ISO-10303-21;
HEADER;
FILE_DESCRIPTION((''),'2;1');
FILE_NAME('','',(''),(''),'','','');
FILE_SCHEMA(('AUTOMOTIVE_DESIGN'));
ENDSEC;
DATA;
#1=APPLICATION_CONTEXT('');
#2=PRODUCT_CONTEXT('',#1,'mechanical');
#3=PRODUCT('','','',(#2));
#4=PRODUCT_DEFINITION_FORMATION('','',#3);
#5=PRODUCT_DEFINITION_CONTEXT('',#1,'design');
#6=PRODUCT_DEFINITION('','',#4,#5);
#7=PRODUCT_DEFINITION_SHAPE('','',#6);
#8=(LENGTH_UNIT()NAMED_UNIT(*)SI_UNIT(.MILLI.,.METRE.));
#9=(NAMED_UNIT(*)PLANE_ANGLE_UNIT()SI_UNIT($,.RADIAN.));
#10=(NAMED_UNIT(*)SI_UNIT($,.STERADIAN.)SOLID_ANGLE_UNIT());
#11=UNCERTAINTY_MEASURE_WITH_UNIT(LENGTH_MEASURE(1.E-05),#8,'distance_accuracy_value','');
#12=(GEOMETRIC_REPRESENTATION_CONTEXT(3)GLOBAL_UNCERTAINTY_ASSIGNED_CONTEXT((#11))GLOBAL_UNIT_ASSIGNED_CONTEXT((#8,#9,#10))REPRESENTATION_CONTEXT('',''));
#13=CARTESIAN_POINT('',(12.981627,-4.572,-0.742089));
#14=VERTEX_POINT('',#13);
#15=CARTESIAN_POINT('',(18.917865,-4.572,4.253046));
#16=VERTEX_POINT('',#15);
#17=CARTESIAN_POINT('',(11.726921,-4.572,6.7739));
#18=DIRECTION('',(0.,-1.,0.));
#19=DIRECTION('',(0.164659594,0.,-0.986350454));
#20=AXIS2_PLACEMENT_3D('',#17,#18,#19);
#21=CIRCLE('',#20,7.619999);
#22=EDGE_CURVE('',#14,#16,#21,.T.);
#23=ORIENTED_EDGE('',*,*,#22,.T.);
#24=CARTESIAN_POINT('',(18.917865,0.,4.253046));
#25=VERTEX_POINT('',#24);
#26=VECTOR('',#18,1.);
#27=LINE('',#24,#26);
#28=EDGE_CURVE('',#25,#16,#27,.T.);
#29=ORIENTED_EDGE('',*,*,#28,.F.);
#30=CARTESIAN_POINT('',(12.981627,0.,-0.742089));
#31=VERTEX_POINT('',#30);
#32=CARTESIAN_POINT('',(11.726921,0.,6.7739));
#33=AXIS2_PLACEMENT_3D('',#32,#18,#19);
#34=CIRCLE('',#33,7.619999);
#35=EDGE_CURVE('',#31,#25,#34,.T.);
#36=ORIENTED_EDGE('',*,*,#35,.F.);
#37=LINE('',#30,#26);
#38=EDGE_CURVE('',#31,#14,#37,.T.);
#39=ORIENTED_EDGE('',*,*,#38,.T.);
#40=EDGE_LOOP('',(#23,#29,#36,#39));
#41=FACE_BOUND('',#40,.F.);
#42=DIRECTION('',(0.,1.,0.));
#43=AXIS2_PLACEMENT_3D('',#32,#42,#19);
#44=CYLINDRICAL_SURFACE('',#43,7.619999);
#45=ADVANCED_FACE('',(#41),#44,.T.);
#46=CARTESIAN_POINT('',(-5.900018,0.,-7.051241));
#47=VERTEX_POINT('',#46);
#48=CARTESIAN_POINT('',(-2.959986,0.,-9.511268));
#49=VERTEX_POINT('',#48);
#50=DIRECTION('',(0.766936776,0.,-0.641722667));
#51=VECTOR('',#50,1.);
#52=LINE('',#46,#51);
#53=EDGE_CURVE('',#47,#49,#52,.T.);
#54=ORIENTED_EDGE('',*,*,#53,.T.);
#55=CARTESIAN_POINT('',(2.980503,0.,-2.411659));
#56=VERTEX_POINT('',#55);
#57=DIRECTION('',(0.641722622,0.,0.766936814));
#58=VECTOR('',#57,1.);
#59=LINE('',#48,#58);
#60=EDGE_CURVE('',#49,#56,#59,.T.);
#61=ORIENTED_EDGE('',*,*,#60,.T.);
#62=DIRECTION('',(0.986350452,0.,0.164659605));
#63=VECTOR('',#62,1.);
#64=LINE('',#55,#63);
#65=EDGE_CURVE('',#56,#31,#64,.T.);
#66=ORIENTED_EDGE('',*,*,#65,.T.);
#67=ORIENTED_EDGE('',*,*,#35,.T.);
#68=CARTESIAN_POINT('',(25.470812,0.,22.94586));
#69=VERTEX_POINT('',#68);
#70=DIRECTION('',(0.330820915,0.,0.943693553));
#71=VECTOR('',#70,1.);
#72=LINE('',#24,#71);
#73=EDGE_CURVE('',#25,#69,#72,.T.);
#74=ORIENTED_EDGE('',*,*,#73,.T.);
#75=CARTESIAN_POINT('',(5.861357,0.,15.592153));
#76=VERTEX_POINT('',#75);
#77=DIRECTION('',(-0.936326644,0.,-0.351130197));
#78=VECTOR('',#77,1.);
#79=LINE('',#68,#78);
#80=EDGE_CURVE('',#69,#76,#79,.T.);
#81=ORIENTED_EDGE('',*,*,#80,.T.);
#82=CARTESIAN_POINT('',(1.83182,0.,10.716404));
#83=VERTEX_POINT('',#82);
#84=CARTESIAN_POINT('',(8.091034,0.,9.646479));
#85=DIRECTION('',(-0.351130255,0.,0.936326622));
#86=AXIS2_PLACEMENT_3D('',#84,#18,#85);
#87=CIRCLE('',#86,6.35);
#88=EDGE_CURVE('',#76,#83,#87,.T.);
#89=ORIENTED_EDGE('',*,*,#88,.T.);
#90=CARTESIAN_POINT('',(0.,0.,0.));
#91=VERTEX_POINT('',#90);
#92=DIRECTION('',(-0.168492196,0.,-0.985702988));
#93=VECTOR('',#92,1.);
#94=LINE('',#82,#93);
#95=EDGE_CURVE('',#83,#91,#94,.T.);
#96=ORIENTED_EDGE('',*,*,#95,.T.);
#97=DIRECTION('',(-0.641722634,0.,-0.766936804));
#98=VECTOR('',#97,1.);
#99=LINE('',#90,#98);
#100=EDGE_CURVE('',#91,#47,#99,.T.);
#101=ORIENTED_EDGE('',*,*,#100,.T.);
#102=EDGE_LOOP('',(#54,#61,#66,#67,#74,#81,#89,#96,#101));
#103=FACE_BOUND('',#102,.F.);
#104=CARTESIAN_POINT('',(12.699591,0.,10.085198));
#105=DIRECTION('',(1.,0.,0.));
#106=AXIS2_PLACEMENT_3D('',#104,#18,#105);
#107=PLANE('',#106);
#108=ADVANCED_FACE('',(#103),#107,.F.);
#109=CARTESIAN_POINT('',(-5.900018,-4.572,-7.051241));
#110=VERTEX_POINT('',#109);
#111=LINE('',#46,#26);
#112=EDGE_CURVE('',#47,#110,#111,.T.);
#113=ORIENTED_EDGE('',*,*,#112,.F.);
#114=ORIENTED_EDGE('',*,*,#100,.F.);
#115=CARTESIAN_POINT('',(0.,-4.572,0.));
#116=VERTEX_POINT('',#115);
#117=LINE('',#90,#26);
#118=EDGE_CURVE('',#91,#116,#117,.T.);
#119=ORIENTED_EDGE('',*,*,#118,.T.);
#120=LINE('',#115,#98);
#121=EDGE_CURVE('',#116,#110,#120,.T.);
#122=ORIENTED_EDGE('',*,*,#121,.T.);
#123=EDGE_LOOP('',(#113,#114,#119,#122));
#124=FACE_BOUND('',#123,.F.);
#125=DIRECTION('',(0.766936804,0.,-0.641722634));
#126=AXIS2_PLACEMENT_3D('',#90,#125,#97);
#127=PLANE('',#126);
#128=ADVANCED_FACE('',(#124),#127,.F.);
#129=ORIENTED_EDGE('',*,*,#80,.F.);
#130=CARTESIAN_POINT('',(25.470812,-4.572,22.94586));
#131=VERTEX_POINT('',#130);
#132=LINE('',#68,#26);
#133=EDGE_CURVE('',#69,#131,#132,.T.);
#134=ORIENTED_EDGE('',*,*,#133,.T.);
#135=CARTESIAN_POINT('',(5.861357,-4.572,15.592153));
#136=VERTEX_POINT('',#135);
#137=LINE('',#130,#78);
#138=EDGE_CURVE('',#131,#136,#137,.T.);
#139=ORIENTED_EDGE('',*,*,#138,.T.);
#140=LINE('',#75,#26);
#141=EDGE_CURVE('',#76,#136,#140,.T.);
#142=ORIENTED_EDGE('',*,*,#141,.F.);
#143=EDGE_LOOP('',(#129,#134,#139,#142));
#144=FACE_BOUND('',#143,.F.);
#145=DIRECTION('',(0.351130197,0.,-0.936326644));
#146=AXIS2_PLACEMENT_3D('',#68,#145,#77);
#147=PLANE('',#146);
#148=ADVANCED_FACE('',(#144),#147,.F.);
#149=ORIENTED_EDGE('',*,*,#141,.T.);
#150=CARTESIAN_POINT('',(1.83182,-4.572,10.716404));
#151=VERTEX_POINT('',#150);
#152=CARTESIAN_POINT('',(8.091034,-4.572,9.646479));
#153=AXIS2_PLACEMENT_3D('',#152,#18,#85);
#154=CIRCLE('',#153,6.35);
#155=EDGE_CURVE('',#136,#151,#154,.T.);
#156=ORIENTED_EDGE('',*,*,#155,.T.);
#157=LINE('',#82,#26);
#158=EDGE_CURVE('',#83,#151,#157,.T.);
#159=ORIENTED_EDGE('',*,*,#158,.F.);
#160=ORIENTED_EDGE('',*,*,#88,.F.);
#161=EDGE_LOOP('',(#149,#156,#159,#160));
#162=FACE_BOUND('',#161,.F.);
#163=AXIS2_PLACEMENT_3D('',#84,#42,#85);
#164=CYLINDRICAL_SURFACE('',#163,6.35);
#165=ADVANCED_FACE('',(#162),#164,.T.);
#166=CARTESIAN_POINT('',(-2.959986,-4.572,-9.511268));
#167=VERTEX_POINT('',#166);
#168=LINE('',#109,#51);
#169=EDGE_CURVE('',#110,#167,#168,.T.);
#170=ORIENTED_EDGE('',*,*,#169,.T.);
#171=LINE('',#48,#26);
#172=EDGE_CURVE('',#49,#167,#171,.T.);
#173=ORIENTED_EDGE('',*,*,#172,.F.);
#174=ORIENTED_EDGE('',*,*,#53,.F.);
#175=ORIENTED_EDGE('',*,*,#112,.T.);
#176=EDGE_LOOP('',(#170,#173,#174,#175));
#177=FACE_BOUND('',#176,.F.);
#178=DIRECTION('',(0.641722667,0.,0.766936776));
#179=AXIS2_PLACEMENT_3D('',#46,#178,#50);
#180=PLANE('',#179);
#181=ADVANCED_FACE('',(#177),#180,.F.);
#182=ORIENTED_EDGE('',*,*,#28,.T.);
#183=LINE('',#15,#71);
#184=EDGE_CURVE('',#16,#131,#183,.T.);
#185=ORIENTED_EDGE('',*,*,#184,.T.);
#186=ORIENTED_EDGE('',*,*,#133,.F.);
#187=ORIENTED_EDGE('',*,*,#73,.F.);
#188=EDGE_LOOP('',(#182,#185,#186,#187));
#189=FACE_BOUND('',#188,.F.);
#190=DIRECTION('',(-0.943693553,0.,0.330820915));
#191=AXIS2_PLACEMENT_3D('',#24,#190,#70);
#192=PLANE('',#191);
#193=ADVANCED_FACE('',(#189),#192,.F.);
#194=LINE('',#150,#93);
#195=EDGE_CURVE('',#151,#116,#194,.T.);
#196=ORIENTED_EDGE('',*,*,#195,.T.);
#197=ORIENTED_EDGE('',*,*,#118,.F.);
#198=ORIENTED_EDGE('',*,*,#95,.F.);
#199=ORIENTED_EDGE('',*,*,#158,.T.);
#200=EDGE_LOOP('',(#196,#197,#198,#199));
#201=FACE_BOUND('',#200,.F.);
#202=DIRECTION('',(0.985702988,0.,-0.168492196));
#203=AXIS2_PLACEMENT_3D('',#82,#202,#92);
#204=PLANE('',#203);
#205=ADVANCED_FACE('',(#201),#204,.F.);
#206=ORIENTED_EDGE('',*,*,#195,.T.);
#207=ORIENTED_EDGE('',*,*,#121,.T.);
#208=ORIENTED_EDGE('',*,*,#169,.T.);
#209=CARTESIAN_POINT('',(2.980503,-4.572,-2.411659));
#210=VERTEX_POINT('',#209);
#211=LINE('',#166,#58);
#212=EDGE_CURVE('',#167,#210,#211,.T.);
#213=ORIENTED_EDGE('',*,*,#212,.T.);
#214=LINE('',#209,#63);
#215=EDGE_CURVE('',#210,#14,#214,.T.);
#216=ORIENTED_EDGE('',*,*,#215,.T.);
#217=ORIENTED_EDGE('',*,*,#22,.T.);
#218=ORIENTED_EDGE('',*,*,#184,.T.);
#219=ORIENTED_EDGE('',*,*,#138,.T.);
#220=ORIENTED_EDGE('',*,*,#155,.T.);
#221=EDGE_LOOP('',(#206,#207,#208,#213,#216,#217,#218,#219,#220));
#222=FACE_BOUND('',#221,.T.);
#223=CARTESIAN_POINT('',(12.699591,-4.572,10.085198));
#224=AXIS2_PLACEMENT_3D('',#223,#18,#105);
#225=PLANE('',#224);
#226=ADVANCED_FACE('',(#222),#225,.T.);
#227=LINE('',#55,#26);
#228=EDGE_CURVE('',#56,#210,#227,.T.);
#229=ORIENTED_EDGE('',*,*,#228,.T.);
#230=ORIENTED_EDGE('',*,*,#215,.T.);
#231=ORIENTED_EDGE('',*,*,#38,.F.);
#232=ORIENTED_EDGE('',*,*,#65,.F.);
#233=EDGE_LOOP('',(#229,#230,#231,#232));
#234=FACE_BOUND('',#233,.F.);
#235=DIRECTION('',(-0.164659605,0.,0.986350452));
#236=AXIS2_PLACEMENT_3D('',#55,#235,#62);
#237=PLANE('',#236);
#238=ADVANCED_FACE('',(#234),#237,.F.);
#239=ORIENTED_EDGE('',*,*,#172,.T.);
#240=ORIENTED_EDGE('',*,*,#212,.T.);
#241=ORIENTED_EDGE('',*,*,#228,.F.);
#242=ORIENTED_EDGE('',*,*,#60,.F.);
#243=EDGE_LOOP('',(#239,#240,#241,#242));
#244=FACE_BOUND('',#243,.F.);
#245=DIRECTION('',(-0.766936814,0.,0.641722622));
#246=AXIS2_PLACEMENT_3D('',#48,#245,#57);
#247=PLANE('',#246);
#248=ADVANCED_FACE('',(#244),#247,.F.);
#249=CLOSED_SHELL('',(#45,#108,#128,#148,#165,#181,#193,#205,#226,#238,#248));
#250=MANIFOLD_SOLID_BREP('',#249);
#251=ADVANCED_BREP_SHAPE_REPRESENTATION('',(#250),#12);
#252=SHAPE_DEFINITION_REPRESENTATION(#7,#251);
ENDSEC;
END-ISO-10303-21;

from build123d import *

# Parameters (mm, degrees)
F1_DEPTH = 4.572


with BuildPart() as f1:
    # F0 (on Front) → F1 (new body)
    with BuildSketch(Plane.XZ):
        with BuildLine():
            Line((1.83182, 10.716404), (0, 0))
            Line((0, 0), (2.980503, -2.411659))
            Line((2.980503, -2.411659), (12.981627, -0.742089))
            ThreePointArc((12.981627, -0.742089), (16.633049, 0.943438), (18.917865, 4.253046))
            Line((18.917865, 4.253046), (25.470812, 22.94586))
            Line((25.470812, 22.94586), (5.861357, 15.592153))
            ThreePointArc((5.861357, 15.592153), (3.196287, 13.691717), (1.83182, 10.716404))
        make_face()
        Polygon((2.980503, -2.411659), (0, 0), (-5.900018, -7.051241), (-2.959986, -9.511268), align=None)
    extrude(amount=F1_DEPTH)


solid = f1.part
